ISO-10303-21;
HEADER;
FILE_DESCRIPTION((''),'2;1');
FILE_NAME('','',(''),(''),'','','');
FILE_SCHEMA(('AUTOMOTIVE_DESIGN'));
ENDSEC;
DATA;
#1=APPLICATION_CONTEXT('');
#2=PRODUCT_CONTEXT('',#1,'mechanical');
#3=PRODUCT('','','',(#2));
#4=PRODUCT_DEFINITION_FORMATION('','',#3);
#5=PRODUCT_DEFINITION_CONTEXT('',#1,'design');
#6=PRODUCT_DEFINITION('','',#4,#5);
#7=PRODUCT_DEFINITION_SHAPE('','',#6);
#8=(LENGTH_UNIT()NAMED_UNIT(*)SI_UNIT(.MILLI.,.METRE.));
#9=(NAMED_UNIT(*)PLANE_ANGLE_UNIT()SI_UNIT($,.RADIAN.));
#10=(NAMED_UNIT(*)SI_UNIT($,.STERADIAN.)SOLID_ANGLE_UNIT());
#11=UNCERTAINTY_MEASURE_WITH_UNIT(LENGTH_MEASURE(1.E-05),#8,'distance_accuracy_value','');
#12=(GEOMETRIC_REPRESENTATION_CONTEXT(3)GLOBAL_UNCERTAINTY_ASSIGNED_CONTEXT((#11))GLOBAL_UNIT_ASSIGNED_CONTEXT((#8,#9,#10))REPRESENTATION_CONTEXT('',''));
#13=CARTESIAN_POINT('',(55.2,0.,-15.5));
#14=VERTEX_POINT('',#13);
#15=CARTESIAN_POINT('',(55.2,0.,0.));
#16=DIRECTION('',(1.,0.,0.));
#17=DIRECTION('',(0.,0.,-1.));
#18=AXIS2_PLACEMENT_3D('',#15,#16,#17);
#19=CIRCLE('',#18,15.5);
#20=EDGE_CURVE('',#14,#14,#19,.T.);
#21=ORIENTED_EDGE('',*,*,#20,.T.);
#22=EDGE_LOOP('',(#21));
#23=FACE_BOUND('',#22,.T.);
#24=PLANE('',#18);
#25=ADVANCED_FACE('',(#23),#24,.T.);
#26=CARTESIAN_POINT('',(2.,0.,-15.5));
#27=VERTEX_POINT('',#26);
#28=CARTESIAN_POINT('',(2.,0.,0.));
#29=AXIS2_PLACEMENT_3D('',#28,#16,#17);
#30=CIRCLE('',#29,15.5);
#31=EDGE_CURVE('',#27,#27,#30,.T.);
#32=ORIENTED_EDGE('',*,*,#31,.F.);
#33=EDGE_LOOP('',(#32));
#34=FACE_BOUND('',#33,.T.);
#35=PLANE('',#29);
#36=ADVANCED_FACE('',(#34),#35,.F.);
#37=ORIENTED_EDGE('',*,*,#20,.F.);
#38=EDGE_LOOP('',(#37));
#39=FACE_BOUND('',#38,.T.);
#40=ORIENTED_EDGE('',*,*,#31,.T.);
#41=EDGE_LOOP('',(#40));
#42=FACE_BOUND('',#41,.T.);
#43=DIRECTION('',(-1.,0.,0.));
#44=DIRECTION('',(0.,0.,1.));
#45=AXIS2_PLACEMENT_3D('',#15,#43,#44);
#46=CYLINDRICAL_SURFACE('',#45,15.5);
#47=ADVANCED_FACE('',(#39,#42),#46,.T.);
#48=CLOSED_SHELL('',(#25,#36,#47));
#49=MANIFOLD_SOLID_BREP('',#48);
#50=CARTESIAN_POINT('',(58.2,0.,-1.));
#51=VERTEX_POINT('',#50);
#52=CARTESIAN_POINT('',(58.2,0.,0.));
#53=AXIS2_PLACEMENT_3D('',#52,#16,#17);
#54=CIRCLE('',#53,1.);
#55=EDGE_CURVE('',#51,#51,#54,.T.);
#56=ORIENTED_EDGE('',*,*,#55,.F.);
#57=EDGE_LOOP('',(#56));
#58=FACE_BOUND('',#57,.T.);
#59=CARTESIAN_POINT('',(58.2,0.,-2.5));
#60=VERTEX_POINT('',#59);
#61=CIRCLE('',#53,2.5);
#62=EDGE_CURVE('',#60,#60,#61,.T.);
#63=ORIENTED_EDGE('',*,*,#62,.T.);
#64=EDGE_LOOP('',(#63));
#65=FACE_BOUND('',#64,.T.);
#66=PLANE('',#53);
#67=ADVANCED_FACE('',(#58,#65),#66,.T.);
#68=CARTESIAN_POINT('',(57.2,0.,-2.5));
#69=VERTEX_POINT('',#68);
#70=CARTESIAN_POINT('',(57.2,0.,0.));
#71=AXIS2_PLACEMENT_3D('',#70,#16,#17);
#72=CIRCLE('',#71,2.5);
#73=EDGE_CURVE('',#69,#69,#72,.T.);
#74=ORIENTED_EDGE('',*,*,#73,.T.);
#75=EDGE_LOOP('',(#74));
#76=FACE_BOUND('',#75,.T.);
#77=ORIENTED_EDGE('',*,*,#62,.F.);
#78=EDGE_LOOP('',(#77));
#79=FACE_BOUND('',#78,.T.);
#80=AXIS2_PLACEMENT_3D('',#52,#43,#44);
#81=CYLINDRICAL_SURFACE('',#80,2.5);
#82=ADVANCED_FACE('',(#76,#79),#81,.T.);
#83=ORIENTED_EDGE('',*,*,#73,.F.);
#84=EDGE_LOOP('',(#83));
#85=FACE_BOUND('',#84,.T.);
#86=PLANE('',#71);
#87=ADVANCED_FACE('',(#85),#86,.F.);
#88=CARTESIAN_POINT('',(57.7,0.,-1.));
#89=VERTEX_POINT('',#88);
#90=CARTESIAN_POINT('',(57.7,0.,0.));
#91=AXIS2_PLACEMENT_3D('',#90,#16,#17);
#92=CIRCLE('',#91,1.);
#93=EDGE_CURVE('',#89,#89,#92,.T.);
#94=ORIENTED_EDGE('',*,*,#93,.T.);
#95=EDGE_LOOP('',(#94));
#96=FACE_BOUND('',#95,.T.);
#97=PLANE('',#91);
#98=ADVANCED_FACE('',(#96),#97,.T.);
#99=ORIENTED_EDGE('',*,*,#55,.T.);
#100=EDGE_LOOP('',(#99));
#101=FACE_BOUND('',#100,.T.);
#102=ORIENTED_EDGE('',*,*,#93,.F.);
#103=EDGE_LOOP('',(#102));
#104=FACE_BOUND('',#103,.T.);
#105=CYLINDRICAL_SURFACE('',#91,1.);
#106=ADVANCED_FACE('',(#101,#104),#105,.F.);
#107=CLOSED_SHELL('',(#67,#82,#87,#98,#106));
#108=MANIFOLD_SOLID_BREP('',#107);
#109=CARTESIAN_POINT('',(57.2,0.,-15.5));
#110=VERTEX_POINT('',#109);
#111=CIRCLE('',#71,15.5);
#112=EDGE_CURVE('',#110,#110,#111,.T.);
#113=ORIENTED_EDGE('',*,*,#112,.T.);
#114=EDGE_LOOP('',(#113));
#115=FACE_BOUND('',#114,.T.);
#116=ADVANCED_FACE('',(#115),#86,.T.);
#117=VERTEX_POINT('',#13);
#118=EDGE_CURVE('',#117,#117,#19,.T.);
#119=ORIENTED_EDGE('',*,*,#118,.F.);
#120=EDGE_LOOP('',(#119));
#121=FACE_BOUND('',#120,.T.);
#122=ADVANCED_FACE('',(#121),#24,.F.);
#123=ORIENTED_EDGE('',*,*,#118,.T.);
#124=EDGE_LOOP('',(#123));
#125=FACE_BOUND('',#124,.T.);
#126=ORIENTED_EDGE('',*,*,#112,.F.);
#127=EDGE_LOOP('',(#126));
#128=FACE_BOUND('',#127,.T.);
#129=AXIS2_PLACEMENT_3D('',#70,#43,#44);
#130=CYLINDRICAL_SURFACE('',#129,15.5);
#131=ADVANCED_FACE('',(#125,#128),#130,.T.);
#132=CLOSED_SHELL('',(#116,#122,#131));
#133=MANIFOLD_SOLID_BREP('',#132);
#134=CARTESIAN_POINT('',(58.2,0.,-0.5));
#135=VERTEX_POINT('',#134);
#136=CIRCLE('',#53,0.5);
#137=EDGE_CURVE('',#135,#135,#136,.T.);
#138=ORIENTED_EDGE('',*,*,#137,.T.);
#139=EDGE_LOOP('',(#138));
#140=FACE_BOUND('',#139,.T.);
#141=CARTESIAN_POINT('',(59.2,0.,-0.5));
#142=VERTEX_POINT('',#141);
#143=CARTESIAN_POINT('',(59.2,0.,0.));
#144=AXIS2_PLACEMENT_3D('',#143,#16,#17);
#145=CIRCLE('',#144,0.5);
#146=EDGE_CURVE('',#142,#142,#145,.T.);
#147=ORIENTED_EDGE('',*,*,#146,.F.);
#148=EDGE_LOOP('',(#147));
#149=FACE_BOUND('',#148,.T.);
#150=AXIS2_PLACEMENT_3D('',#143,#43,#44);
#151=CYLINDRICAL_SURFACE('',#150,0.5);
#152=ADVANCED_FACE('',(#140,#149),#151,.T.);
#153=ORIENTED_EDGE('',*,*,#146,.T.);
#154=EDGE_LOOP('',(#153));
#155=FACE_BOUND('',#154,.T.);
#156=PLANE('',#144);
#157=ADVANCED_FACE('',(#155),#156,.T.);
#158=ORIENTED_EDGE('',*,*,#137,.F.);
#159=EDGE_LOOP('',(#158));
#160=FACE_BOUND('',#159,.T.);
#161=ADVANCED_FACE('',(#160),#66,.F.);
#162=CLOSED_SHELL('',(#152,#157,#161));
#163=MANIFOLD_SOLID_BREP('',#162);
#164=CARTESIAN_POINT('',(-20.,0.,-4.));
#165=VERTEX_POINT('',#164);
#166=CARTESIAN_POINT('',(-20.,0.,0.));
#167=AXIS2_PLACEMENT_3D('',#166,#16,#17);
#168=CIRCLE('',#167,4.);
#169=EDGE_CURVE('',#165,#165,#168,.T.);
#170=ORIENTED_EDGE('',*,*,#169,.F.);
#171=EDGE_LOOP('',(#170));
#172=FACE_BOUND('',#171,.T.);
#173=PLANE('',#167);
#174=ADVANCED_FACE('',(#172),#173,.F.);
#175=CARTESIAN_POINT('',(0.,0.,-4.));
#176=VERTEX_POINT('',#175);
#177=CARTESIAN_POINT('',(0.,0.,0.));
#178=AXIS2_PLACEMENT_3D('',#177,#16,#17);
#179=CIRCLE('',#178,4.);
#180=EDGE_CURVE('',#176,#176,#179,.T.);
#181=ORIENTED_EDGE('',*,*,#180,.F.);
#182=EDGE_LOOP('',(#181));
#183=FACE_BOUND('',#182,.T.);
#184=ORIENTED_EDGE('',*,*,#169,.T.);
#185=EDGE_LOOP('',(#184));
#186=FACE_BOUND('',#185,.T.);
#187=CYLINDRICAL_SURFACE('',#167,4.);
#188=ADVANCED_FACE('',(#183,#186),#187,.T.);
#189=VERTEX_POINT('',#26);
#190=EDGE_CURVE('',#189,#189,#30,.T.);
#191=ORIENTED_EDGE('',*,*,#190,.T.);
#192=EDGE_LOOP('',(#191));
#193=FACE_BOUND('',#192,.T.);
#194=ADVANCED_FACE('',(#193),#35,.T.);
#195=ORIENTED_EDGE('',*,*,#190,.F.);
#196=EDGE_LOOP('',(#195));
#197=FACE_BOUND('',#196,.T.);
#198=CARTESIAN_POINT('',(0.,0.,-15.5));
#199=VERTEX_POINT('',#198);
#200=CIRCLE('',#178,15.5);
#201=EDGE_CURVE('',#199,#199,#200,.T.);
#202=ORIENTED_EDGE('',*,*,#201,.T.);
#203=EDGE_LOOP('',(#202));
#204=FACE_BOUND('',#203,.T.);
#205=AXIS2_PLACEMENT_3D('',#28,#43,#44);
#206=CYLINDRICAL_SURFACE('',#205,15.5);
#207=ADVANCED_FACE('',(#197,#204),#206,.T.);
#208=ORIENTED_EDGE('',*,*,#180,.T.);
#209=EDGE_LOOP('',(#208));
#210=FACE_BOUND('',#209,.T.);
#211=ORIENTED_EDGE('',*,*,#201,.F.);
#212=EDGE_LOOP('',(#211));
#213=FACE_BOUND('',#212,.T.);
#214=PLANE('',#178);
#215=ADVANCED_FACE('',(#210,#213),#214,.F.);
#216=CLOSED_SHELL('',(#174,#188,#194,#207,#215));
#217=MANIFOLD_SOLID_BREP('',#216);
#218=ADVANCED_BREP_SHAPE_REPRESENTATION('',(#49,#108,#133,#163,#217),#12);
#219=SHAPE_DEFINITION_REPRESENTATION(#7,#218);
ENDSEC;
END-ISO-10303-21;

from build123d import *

# Parameters (mm, degrees)
CROQUIS2_R              = 15.5
SALIENTE_EXTRUIR1_DEPTH = 2
CROQUIS3_R              = 15.5
SALIENTE_EXTRUIR2_DEPTH = 53.2
CROQUIS4_R              = 15.5
SALIENTE_EXTRUIR3_DEPTH = 2
CROQUIS5_R              = 2.5
SALIENTE_EXTRUIR4_DEPTH = 1
CROQUIS6_R              = 0.5
SALIENTE_EXTRUIR5_DEPTH = 1
CROQUIS8_R              = 4
SALIENTE_EXTRUIR6_DEPTH = 20
CROQUIS9_R              = 1
CORTAR_EXTRUIR4_DEPTH   = 0.5


with BuildPart() as part:
    # Croquis2 → Saliente-Extruir1 (new body)
    with BuildSketch(Plane(origin=(0, 0, 0), x_dir=(0, 0, -1), z_dir=(1, 0, 0))):
        Circle(CROQUIS2_R)
    extrude(amount=SALIENTE_EXTRUIR1_DEPTH)

    # Croquis8 → Saliente-Extruir6 (add)
    with BuildSketch(Plane(origin=(0, 0, 0), x_dir=(0, 0, -1), z_dir=(1, 0, 0))):
        Circle(CROQUIS8_R)
    extrude(amount=-SALIENTE_EXTRUIR6_DEPTH)


with BuildPart() as body_2:
    # Croquis3 → Saliente-Extruir2 (new body)
    with BuildSketch(Plane(origin=(2, 0, 0), x_dir=(0, 0, -1), z_dir=(1, 0, 0))):
        Circle(CROQUIS3_R)
    extrude(amount=SALIENTE_EXTRUIR2_DEPTH)


with BuildPart() as body_3:
    # Croquis4 → Saliente-Extruir3 (new body)
    with BuildSketch(Plane(origin=(55.2, 0, 0), x_dir=(0, 0, -1), z_dir=(1, 0, 0))):
        Circle(CROQUIS4_R)
    extrude(amount=SALIENTE_EXTRUIR3_DEPTH)


with BuildPart() as body_4:
    # Croquis5 → Saliente-Extruir4 (new body)
    with BuildSketch(Plane(origin=(57.2, 0, 0), x_dir=(0, 0, -1), z_dir=(1, 0, 0))):
        Circle(CROQUIS5_R)
    extrude(amount=SALIENTE_EXTRUIR4_DEPTH)

    # Croquis9 → Cortar-Extruir4 (cut)
    with BuildSketch(Plane(origin=(58.2, 0, 0), x_dir=(0, 0, -1), z_dir=(1, 0, 0))):
        Circle(CROQUIS9_R)
    extrude(amount=-CORTAR_EXTRUIR4_DEPTH, mode=Mode.SUBTRACT)


with BuildPart() as body_5:
    # Croquis6 → Saliente-Extruir5 (new body)
    with BuildSketch(Plane(origin=(58.2, 0, 0), x_dir=(0, 0, -1), z_dir=(1, 0, 0))):
        Circle(CROQUIS6_R)
    extrude(amount=SALIENTE_EXTRUIR5_DEPTH)


solid = Compound([part.part, body_2.part, body_3.part, body_4.part, body_5.part])
